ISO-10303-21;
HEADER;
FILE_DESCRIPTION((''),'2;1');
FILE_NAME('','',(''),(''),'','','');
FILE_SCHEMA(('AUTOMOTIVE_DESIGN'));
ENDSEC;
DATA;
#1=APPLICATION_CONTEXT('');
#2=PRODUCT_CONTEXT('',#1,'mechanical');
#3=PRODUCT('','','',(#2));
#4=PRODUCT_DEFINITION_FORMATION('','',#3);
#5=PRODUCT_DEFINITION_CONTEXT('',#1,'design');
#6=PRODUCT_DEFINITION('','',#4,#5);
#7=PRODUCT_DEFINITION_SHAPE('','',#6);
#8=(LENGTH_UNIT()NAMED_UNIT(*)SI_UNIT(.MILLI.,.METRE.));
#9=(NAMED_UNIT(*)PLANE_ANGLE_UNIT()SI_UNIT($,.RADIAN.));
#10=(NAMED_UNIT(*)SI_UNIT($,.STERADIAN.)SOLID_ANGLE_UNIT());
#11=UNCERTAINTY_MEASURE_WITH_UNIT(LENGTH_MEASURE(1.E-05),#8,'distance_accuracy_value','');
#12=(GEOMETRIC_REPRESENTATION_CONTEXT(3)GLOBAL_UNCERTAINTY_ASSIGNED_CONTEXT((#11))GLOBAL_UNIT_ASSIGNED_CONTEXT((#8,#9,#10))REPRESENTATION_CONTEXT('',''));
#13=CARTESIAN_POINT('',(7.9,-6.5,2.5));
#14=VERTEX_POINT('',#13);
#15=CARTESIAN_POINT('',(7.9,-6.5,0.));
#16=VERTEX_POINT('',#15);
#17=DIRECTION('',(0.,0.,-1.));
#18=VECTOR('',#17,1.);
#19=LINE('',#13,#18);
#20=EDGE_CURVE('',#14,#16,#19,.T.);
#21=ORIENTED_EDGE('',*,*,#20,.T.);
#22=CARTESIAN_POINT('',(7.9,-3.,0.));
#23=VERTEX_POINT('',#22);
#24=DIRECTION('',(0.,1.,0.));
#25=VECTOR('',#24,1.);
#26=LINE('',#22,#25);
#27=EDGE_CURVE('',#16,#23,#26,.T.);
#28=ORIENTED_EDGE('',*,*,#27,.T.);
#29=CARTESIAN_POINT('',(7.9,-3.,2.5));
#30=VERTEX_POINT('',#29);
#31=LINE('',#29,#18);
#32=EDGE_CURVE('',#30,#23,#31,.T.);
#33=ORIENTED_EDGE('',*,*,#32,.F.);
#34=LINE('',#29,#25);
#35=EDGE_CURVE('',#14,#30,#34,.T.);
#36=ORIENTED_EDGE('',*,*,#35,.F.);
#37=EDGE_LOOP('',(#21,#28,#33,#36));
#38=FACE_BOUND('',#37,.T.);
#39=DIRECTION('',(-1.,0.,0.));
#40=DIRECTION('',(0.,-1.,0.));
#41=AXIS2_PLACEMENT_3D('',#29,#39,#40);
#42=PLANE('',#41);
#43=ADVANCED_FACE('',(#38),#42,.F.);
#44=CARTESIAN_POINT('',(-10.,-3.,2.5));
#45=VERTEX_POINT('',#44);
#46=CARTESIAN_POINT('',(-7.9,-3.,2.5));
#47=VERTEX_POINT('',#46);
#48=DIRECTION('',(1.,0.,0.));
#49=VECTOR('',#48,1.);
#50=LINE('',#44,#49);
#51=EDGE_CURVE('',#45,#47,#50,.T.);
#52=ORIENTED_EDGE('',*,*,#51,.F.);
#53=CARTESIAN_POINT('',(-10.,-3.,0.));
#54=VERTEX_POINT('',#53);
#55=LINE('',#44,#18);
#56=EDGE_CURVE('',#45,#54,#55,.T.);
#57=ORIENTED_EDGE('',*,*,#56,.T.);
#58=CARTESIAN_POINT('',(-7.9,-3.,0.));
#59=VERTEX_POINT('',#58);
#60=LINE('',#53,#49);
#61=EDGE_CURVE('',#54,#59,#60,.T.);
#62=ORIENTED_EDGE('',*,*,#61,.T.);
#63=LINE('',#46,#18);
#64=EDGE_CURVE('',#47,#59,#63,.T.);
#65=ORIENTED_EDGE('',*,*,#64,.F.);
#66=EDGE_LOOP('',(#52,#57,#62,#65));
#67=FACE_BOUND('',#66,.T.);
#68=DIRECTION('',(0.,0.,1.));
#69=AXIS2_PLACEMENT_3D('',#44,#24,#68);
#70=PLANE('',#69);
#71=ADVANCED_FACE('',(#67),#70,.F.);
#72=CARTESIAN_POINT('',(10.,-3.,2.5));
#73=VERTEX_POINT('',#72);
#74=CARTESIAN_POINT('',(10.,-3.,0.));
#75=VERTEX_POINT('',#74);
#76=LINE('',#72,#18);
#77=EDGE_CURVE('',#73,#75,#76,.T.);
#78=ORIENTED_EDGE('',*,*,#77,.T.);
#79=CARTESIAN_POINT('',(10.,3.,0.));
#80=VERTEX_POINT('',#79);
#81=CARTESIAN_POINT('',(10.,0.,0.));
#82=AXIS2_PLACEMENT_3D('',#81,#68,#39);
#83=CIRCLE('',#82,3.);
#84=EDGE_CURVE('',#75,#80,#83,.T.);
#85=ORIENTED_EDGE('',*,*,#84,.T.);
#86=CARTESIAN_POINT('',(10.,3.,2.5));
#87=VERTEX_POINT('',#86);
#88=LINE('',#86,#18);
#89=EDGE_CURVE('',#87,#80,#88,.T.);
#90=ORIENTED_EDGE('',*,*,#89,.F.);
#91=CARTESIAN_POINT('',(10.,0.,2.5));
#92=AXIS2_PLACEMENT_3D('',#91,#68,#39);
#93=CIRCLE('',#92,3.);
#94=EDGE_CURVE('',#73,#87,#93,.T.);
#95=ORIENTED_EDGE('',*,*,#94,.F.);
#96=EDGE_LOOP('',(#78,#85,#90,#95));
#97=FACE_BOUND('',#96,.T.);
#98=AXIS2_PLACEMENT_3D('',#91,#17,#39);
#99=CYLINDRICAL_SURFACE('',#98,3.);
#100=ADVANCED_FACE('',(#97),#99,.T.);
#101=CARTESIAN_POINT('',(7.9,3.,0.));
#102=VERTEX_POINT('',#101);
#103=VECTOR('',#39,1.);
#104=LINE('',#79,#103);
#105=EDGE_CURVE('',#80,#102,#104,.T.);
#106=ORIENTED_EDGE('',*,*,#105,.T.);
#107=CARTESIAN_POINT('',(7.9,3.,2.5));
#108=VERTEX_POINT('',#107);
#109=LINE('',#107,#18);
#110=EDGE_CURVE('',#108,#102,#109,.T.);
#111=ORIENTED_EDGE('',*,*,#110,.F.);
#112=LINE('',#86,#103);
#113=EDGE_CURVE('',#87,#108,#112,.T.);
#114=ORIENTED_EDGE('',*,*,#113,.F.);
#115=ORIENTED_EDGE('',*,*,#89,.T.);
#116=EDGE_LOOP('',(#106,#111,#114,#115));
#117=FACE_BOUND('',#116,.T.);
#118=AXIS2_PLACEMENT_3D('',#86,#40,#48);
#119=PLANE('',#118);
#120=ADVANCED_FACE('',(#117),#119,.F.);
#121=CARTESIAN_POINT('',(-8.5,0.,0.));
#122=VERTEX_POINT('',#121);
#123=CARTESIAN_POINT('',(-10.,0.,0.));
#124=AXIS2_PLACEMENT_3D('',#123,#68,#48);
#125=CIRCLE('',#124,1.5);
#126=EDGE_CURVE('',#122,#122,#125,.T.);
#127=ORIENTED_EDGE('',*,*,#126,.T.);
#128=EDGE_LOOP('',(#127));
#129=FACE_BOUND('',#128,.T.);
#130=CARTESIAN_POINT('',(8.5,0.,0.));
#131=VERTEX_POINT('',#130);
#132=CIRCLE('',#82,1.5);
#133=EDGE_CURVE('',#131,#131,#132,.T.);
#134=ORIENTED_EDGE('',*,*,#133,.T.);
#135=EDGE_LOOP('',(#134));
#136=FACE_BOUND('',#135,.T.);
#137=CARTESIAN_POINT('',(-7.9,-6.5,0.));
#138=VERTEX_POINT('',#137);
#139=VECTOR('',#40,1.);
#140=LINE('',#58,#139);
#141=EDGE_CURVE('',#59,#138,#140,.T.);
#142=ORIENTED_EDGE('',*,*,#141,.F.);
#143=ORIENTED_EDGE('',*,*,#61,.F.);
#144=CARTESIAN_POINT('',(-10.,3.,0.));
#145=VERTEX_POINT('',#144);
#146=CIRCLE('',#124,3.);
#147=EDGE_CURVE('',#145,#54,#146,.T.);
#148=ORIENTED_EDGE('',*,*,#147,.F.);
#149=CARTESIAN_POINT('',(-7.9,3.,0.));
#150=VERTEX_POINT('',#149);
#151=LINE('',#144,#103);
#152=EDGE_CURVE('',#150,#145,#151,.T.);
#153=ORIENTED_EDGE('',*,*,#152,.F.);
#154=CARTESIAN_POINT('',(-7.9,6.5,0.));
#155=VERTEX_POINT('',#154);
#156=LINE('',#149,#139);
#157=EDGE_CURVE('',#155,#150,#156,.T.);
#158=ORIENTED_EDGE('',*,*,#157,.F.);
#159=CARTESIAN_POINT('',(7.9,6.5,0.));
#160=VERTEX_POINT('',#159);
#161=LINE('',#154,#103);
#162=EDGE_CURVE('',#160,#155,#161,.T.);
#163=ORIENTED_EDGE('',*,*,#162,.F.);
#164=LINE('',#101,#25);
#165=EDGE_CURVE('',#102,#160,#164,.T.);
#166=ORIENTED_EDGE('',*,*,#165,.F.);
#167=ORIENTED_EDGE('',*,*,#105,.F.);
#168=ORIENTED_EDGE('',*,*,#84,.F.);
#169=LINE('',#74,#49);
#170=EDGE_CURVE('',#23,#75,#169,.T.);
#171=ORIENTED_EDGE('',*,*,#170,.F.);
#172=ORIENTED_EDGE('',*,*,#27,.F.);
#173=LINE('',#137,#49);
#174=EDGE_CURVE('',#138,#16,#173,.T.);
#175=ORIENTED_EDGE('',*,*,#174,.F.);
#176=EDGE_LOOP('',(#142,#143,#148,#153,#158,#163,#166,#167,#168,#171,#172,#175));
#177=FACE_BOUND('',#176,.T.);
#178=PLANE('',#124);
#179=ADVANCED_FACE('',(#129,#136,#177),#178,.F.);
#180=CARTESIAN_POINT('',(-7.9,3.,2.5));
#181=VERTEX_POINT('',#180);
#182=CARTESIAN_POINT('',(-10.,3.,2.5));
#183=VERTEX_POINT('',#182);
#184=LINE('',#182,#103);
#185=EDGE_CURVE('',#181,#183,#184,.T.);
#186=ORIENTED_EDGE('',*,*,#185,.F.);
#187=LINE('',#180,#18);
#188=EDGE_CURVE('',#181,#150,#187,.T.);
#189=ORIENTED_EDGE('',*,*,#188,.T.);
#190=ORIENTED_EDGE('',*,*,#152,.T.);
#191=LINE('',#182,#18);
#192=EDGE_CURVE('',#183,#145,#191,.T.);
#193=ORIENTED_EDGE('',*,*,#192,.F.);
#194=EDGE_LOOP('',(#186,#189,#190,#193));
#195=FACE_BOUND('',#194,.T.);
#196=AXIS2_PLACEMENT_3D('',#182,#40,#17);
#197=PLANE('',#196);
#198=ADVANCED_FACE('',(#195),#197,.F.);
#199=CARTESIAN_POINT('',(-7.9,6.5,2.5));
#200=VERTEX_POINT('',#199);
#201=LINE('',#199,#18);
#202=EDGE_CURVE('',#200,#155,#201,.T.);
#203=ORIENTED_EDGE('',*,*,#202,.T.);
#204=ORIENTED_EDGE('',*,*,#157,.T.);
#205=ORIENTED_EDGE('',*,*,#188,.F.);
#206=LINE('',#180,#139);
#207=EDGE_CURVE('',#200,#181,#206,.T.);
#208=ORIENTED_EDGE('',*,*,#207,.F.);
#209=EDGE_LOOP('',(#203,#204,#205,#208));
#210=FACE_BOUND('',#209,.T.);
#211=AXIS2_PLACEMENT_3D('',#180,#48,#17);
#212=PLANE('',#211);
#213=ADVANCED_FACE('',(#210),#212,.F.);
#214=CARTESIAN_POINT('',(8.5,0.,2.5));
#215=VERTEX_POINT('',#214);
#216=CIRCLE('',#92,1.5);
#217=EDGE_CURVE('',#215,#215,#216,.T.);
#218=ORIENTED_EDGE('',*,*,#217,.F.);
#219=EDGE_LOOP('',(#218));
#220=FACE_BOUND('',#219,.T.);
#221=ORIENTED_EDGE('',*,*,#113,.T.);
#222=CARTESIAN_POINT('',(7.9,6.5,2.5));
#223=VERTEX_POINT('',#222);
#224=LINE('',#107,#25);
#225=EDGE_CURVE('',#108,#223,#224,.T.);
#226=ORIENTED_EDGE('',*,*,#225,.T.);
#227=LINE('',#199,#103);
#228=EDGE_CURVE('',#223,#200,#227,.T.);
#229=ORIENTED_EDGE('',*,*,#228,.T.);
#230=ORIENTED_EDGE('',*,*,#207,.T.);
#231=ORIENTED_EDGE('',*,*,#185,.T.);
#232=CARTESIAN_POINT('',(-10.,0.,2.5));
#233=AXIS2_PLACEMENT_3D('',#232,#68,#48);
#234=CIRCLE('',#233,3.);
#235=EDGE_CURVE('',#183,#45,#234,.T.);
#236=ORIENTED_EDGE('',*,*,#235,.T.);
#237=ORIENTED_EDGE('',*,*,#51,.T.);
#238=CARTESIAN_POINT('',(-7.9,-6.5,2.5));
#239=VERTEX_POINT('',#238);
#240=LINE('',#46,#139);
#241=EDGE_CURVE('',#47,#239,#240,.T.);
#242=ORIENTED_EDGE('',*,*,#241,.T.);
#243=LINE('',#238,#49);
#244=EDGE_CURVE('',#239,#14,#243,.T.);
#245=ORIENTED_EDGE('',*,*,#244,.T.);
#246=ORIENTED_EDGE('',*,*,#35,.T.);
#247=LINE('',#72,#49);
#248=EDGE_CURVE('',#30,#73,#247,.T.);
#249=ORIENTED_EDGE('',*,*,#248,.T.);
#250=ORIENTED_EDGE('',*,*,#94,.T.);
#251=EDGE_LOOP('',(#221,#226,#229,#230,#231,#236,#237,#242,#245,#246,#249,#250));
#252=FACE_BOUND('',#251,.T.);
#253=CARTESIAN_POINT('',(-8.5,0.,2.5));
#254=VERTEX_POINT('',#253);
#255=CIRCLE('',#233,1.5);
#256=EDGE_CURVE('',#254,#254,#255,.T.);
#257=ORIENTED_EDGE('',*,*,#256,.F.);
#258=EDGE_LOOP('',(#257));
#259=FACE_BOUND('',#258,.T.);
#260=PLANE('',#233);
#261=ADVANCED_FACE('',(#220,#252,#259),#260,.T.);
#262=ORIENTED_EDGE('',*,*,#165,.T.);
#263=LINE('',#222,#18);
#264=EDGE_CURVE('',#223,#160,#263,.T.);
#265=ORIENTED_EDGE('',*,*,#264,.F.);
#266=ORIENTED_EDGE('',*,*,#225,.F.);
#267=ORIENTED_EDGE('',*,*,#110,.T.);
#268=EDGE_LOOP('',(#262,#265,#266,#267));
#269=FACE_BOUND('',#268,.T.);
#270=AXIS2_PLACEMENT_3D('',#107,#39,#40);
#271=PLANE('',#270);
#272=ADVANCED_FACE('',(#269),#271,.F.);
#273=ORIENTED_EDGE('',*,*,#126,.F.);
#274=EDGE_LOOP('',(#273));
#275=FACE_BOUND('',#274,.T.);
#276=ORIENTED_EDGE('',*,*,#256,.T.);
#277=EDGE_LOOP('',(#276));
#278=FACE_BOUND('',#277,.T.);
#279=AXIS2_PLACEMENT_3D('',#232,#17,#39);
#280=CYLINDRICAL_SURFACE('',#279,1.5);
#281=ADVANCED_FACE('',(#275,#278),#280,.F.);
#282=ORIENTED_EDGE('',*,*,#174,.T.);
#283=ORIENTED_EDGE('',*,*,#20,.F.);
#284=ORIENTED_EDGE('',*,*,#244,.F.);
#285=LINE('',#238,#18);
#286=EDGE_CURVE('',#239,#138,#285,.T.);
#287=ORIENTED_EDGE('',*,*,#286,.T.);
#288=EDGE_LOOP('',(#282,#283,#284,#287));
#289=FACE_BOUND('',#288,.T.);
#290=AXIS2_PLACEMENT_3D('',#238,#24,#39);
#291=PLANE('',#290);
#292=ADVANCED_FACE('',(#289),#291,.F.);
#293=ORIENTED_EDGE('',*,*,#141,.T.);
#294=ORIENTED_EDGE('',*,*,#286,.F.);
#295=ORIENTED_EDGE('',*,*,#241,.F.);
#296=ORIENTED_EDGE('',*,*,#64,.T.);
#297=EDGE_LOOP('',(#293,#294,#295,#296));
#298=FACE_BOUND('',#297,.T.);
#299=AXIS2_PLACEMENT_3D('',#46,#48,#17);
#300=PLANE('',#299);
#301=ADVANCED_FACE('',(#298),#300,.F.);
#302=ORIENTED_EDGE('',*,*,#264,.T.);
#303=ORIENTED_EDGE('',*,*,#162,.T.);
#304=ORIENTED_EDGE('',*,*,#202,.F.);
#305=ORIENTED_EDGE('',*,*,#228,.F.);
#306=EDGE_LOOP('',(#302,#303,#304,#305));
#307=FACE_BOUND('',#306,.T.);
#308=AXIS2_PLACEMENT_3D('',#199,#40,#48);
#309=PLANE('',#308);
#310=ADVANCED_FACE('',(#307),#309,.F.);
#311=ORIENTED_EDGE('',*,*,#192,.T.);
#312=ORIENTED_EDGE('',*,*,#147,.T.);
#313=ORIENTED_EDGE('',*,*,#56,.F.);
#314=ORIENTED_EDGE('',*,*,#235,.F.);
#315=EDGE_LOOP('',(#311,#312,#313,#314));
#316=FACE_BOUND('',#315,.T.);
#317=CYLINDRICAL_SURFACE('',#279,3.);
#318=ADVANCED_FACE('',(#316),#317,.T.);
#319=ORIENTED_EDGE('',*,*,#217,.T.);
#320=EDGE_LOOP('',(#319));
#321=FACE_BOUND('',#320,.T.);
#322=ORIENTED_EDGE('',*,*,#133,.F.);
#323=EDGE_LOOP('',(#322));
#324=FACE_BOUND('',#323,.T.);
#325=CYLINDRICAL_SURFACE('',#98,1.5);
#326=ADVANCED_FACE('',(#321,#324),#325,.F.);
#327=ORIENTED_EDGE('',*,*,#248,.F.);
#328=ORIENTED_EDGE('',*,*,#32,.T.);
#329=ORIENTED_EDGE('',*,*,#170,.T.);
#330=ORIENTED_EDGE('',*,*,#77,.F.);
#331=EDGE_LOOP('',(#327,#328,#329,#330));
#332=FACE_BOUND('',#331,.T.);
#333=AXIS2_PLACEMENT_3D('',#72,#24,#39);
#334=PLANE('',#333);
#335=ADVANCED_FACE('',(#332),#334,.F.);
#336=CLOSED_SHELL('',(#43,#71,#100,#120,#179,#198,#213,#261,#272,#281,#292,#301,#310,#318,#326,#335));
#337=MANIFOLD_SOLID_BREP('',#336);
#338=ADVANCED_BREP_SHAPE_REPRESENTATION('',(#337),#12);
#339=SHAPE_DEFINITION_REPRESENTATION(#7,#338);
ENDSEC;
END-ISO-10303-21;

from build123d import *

# Parameters (mm, degrees)
ESBO_O1_R                = 1.5
RESSALTO_EXTRUS_O1_DEPTH = 2.5


with BuildPart() as part:
    # Esboço1 → Ressalto-extrusão1 (new body)
    with BuildSketch(Plane.XY):
        with BuildLine():
            Line((-10, 3), (-7.9, 3))
            Line((-7.9, 3), (-7.9, 6.5))
            Line((-7.9, 6.5), (7.9, 6.5))
            Line((7.9, 6.5), (7.9, 3))
            Line((7.9, 3), (10, 3))
            ThreePointArc((10, 3), (13, 0), (10, -3))
            Line((10, -3), (7.9, -3))
            Line((7.9, -3), (7.9, -6.5))
            Line((7.9, -6.5), (-7.9, -6.5))
            Line((-7.9, -6.5), (-7.9, -3))
            Line((-7.9, -3), (-10, -3))
            ThreePointArc((-10, -3), (-13, 0), (-10, 3))
        make_face()
        with Locations((-10, 0)):
            Circle(ESBO_O1_R, mode=Mode.SUBTRACT)
        with Locations((10, 0)):
            Circle(ESBO_O1_R, mode=Mode.SUBTRACT)
    extrude(amount=RESSALTO_EXTRUS_O1_DEPTH)


solid = part.part
